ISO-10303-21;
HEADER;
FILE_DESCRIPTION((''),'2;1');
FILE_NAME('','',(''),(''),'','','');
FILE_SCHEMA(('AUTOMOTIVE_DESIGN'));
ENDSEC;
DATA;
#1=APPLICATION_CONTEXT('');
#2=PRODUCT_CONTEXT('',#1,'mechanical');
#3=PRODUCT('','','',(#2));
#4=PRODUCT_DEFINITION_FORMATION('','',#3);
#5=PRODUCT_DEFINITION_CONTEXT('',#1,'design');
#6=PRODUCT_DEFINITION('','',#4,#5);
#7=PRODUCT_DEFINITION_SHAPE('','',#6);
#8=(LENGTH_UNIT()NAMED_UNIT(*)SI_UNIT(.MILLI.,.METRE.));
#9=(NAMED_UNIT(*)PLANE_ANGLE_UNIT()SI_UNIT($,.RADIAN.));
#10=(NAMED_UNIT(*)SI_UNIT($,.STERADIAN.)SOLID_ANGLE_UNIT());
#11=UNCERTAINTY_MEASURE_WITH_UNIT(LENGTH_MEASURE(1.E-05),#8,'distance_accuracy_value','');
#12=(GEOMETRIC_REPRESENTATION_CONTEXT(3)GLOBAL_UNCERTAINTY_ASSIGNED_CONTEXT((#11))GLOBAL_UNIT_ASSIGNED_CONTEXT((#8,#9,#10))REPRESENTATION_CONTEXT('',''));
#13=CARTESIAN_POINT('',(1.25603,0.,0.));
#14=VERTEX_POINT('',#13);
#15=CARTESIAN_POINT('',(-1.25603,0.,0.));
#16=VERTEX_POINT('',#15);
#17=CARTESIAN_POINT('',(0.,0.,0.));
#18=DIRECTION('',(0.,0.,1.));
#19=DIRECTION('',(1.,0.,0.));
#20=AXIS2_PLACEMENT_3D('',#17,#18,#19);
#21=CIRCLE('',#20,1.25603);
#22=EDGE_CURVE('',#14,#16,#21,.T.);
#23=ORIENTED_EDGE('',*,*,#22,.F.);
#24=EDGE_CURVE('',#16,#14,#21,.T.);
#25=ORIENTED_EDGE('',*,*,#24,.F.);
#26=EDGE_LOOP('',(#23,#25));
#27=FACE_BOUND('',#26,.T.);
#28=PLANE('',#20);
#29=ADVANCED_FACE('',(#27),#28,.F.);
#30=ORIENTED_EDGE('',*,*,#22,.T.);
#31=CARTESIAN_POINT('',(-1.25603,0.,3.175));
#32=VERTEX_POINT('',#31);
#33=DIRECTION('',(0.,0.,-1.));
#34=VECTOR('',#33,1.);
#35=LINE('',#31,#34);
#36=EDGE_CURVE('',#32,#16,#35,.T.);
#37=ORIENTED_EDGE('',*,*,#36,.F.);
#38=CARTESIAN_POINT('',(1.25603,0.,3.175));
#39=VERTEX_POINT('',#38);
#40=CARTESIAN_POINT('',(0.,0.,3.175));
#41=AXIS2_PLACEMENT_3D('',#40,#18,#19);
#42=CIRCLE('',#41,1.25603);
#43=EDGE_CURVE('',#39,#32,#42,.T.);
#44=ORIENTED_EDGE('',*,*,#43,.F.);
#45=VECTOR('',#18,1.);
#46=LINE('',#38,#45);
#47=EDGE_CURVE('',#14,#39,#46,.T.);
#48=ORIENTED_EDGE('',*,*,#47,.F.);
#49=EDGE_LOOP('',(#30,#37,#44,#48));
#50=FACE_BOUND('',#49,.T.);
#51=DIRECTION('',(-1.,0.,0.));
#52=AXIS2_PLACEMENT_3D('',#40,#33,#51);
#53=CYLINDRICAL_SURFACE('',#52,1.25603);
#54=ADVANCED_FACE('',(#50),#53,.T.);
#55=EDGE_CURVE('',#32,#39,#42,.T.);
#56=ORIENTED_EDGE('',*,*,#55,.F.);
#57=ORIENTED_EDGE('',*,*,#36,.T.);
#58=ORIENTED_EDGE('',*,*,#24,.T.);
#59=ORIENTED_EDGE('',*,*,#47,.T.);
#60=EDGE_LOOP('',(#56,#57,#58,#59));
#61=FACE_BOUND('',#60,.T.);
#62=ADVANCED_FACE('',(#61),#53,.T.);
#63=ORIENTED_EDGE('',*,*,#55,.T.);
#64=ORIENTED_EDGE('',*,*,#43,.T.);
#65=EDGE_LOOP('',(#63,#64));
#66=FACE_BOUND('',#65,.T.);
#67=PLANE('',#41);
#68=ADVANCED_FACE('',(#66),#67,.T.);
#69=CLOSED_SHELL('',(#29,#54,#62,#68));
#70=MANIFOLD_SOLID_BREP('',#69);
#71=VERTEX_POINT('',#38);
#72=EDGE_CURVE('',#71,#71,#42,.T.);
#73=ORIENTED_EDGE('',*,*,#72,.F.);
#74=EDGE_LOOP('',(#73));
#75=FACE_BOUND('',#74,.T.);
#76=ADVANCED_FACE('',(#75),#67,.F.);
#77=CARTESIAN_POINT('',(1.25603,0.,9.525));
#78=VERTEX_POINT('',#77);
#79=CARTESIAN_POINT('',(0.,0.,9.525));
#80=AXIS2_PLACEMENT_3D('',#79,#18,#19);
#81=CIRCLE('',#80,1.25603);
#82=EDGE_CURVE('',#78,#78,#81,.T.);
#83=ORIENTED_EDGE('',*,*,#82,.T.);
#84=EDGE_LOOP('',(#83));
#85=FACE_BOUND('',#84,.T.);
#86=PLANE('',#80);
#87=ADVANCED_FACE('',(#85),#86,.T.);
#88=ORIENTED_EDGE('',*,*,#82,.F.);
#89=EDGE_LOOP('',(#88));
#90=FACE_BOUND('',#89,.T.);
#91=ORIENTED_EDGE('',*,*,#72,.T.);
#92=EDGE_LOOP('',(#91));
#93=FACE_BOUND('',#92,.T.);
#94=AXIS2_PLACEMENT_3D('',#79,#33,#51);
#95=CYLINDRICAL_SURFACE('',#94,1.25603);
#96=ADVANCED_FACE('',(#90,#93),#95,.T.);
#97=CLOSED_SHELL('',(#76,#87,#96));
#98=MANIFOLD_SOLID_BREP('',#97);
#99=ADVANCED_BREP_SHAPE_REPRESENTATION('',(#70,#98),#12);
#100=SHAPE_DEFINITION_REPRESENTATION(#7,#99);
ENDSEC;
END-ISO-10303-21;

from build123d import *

# Parameters (mm, degrees)
SKETCH1_R           = 1.25603
BOSS_EXTRUDE1_DEPTH = 3.175
SKETCH3_R           = 1.25603
BOSS_EXTRUDE2_DEPTH = 6.35


with BuildPart() as part:
    # Sketch1 → Boss-Extrude1 (new body)
    with BuildSketch(Plane.XY):
        Circle(SKETCH1_R)
    extrude(amount=BOSS_EXTRUDE1_DEPTH)


with BuildPart() as body_2:
    # Sketch3 → Boss-Extrude2 (new body)
    with BuildSketch(Plane.XY.offset(3.175)):
        Circle(SKETCH3_R)
    extrude(amount=BOSS_EXTRUDE2_DEPTH)


solid = Compound([part.part, body_2.part])
